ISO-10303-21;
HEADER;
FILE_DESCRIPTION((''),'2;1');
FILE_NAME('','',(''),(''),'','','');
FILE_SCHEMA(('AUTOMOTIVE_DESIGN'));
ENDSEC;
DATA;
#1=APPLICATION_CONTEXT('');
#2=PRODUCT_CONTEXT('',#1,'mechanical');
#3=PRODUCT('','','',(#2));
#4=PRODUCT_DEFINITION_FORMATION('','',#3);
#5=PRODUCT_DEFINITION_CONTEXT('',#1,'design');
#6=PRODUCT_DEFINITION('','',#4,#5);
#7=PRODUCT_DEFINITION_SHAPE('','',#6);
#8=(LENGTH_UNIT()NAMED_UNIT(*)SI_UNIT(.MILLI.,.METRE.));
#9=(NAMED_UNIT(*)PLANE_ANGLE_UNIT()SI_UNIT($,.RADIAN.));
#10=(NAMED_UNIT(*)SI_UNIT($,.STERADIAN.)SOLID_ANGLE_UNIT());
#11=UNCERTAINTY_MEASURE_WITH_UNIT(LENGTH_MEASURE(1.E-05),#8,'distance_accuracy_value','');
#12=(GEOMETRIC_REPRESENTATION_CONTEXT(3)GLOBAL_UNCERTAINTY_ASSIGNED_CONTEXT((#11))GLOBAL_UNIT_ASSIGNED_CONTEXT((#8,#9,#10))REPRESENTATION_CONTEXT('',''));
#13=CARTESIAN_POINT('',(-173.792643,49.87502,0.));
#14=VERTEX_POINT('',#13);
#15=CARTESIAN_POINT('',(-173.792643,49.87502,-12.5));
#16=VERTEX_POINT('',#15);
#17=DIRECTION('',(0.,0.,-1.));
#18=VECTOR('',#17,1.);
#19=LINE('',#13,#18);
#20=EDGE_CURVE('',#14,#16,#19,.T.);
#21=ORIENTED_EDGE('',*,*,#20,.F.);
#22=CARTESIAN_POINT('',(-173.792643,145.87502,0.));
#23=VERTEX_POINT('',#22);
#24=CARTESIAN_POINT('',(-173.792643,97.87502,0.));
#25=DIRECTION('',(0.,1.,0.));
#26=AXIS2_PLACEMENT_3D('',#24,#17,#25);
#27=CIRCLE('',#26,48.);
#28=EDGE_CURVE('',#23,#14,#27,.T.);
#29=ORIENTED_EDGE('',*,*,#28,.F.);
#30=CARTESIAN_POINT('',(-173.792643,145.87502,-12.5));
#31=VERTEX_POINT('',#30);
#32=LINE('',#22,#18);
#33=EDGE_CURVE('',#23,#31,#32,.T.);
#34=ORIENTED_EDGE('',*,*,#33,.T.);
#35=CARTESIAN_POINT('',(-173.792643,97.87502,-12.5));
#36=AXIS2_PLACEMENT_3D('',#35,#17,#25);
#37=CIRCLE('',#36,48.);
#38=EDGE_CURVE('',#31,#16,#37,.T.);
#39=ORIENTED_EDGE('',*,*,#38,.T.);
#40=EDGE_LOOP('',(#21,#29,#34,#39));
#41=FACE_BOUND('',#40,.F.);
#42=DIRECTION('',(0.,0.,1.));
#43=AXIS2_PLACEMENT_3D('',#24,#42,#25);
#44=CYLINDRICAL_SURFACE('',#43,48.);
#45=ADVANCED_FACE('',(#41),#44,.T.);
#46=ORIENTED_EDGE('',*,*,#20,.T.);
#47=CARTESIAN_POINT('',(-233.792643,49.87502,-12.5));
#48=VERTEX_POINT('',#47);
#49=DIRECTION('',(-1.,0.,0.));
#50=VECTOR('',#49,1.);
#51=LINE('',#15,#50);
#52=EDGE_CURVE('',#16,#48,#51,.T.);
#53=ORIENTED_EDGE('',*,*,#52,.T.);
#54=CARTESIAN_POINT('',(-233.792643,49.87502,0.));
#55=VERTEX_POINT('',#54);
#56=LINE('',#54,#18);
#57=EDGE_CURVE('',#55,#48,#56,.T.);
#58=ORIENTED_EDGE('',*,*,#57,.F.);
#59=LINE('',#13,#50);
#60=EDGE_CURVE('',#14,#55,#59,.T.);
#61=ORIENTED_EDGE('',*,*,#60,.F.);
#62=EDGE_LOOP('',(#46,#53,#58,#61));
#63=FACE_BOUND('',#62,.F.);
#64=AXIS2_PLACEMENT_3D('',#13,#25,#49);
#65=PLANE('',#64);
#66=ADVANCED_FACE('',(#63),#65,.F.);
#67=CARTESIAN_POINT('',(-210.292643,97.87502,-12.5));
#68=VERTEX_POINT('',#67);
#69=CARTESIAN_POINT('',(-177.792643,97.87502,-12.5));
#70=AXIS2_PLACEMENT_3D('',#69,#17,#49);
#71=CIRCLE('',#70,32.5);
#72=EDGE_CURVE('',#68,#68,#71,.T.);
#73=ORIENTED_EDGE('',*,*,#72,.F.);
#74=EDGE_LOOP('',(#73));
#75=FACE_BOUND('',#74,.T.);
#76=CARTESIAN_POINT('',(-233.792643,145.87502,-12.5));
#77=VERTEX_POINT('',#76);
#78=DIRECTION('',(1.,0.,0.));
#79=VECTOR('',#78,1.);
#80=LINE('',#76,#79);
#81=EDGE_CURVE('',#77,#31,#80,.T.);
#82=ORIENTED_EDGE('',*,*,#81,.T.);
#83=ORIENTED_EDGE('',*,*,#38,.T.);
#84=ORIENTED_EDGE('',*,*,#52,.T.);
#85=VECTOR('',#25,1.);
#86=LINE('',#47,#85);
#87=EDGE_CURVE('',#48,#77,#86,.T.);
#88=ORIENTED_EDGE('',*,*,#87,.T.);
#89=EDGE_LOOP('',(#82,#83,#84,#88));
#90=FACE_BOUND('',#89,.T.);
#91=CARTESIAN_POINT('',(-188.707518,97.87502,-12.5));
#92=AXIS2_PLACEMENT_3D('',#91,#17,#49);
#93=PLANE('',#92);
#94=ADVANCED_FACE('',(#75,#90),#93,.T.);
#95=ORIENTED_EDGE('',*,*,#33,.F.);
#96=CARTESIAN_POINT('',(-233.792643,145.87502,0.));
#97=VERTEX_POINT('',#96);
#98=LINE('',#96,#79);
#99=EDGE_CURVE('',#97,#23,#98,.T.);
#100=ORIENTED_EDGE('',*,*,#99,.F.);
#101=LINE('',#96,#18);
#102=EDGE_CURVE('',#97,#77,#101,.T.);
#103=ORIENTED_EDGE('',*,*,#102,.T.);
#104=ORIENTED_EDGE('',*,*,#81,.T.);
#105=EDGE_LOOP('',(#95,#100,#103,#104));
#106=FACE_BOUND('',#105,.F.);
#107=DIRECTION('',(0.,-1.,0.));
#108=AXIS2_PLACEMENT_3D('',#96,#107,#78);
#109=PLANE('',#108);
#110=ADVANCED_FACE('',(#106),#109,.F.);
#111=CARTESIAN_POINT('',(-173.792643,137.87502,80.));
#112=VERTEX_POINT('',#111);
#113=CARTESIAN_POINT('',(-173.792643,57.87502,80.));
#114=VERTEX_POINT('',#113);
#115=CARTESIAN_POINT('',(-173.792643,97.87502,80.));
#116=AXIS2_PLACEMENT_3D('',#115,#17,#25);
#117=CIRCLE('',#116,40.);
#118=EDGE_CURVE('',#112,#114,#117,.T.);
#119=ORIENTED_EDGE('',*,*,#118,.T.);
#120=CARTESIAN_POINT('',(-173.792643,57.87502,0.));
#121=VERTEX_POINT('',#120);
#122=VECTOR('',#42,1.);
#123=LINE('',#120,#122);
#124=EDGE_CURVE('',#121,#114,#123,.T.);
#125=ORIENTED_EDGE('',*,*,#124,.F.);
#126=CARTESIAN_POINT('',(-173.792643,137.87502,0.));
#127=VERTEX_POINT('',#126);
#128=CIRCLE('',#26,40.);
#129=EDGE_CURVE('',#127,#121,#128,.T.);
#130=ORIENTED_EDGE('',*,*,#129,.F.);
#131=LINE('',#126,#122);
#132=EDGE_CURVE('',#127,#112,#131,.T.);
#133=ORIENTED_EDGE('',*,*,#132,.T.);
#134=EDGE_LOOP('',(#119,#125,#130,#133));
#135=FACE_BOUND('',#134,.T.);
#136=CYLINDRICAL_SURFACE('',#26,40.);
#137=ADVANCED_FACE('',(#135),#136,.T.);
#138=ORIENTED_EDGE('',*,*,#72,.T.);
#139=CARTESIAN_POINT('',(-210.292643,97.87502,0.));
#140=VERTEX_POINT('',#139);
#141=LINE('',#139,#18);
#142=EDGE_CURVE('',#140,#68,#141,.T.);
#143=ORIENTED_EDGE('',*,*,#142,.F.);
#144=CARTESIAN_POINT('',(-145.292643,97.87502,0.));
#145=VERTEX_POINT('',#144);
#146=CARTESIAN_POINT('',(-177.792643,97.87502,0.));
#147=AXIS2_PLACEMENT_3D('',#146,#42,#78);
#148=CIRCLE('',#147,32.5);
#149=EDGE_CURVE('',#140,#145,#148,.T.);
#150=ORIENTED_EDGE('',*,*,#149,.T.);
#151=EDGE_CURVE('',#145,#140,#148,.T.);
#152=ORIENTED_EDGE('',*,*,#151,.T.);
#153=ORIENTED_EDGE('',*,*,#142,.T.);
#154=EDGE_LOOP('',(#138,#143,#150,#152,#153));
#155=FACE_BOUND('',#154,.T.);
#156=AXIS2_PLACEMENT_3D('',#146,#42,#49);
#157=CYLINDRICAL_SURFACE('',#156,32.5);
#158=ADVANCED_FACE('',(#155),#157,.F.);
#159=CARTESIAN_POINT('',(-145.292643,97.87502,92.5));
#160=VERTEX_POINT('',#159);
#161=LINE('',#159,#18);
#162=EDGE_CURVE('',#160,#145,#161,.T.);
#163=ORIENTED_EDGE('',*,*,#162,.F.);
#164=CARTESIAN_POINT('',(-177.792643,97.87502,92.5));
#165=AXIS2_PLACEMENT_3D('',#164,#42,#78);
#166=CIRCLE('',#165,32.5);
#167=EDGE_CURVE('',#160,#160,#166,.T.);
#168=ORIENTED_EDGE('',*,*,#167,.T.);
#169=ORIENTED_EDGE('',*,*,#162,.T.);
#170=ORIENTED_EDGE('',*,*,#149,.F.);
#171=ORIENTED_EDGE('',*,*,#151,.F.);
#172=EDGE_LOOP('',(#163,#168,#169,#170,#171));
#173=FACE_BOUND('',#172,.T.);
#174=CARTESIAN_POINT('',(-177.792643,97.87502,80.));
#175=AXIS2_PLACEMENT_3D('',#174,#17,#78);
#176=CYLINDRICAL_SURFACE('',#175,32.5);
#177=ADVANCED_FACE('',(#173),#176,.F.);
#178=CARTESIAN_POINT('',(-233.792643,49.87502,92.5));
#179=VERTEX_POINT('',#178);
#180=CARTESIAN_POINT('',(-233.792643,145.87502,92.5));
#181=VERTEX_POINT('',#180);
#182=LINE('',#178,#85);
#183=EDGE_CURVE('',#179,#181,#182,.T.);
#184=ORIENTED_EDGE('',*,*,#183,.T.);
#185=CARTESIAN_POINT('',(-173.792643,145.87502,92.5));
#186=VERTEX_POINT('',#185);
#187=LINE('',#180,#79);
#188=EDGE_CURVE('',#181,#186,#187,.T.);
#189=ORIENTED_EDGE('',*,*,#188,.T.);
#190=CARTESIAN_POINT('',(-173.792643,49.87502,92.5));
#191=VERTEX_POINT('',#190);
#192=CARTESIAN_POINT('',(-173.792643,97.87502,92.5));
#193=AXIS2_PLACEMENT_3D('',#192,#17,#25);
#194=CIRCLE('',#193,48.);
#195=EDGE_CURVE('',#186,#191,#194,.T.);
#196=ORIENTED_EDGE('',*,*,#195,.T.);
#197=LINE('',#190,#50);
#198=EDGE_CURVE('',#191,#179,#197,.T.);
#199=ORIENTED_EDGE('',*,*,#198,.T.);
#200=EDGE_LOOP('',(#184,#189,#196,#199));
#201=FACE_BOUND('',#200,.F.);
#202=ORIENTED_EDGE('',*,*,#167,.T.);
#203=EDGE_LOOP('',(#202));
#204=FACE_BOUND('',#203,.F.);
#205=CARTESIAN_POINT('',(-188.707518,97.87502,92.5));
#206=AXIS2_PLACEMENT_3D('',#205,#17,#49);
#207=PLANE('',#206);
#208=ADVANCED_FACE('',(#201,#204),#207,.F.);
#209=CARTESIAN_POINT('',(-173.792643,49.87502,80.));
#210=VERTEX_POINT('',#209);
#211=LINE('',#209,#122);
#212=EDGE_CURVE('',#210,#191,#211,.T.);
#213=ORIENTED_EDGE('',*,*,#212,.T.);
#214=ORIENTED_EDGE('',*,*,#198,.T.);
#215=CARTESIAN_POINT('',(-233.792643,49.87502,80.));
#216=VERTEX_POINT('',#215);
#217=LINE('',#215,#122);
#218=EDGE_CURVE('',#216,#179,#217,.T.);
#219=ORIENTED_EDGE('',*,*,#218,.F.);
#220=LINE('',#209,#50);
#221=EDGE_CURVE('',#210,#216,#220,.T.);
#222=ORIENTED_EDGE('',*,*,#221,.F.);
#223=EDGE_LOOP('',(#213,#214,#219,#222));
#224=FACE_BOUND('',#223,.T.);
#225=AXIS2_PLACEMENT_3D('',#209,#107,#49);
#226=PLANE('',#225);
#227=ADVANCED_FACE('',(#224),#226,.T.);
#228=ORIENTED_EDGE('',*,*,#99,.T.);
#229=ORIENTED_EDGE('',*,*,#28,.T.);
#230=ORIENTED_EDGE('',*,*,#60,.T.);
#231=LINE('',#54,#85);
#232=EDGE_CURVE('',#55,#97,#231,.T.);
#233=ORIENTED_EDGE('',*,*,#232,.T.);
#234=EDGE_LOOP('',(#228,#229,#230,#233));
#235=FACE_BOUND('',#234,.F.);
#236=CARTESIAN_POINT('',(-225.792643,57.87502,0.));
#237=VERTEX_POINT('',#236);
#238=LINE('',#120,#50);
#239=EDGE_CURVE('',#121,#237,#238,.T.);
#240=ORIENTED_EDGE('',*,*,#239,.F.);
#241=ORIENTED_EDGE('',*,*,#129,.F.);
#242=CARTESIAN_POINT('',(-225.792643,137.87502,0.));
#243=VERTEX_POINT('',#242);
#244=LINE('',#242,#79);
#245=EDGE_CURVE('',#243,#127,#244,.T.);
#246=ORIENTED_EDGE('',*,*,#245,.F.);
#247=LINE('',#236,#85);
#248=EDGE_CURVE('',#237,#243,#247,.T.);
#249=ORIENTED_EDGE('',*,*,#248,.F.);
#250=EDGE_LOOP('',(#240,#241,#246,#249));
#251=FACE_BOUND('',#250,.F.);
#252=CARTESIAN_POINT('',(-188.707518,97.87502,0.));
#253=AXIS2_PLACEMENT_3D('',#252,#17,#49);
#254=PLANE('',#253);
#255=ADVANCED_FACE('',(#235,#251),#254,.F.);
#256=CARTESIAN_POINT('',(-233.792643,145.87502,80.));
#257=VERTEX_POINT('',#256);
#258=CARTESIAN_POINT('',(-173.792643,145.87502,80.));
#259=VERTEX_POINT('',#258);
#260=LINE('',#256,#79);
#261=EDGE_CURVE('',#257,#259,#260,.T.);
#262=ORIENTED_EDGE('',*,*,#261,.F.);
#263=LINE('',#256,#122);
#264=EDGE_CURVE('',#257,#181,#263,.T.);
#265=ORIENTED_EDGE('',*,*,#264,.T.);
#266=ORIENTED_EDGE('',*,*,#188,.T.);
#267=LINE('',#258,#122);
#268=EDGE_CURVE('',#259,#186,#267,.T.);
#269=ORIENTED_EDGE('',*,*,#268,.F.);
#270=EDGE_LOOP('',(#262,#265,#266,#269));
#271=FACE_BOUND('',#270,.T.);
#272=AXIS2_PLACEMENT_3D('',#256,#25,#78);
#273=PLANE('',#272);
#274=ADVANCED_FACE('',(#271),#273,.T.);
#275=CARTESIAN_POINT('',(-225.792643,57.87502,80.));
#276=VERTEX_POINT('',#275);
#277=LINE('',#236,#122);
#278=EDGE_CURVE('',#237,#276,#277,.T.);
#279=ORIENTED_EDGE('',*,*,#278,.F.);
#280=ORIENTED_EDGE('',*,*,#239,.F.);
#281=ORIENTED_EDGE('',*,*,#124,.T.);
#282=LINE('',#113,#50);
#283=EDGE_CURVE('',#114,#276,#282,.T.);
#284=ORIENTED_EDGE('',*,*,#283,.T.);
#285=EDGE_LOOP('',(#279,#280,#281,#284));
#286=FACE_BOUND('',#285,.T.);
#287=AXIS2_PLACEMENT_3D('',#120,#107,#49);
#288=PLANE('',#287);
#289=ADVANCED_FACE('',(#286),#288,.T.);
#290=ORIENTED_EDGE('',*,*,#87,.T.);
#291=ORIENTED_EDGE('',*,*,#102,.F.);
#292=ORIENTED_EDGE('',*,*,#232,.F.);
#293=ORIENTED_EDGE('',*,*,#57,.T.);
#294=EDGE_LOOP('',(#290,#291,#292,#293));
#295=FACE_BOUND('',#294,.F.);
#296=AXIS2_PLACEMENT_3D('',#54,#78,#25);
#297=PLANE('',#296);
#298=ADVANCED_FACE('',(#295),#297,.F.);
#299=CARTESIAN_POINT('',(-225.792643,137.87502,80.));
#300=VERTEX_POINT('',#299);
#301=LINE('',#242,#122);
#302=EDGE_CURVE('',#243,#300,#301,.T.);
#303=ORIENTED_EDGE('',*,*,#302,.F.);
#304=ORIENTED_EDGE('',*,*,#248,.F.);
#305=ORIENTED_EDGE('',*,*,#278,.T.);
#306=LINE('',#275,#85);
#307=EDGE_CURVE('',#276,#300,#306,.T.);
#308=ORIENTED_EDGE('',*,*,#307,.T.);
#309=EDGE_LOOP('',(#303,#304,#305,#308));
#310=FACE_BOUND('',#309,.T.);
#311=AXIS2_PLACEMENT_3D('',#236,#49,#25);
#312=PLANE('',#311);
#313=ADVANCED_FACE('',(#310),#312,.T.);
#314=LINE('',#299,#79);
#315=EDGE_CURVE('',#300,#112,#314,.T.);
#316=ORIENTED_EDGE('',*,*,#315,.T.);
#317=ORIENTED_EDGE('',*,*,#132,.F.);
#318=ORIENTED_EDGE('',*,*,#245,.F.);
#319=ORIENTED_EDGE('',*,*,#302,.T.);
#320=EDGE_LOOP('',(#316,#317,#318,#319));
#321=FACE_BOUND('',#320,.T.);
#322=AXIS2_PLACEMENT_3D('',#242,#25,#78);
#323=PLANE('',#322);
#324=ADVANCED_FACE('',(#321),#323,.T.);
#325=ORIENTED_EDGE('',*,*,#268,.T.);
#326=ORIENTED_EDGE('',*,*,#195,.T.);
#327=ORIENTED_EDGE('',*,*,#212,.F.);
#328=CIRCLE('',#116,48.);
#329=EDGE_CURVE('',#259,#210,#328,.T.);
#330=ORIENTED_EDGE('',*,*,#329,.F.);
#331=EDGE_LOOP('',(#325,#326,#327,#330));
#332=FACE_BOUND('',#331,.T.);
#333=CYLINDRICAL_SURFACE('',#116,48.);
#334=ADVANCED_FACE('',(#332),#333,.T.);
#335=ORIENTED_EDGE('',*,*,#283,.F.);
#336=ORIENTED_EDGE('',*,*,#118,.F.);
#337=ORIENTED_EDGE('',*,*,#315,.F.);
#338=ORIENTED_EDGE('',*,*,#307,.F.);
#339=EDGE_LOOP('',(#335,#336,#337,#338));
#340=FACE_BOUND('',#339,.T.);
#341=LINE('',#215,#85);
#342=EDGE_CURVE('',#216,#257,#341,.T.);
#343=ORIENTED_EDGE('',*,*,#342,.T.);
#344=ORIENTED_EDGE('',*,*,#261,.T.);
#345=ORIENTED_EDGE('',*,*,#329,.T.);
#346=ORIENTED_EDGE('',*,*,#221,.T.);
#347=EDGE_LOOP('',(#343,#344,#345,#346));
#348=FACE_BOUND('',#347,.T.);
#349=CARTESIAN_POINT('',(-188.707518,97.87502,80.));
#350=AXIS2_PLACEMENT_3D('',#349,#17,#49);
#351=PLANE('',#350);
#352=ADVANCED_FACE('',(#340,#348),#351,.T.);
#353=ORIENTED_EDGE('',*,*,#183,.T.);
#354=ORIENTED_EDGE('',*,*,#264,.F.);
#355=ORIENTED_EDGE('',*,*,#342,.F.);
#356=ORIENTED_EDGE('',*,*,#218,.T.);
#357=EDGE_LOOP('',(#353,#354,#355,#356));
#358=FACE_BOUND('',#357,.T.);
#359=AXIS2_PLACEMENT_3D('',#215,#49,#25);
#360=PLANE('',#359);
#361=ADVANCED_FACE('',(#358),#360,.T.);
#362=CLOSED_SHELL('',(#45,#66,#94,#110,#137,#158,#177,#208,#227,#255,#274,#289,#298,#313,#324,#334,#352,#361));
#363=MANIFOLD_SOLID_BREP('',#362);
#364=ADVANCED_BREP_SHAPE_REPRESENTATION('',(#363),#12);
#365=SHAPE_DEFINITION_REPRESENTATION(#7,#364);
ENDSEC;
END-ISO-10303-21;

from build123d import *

# Parameters (mm, degrees)
SKETCH1_R           = 32.5
BOSS_EXTRUDE1_DEPTH = 80
SKETCH2_R           = 32.5
BOSS_EXTRUDE2_DEPTH = 12.5
SKETCH6_R           = 32.5
BOSS_EXTRUDE4_DEPTH = 12.5


with BuildPart() as part:
    # Sketch1 → Boss-Extrude1 (new body)
    with BuildSketch(Plane.XY):
        with BuildLine():
            Line((-225.792643224, 137.875019839), (-173.792643224, 137.875019839))
            ThreePointArc((-173.792643224, 137.875019839), (-133.792643224, 97.875019839), (-173.792643224, 57.875019839))
            Line((-173.792643224, 57.875019839), (-225.792643224, 57.875019839))
            Line((-225.792643224, 57.875019839), (-225.792643224, 137.875019839))
        make_face()
        with Locations((-177.792643224, 97.875019839)):
            Circle(SKETCH1_R, mode=Mode.SUBTRACT)
    extrude(amount=BOSS_EXTRUDE1_DEPTH)

    # Sketch2 → Boss-Extrude2 (add)
    with BuildSketch(Plane.XY.offset(80)):
        with BuildLine():
            Line((-173.792643224, 49.875019839), (-233.792643224, 49.875019839))
            Line((-233.792643224, 49.875019839), (-233.792643224, 145.875019839))
            Line((-233.792643224, 145.875019839), (-173.792643224, 145.875019839))
            ThreePointArc((-173.792643224, 145.875019839), (-125.792643224, 97.875019839), (-173.792643224, 49.875019839))
        make_face()
        with BuildLine():
            Line((-225.792643224, 137.875019839), (-225.792643224, 57.875019839))
            Line((-225.792643224, 57.875019839), (-173.792643224, 57.875019839))
            ThreePointArc((-173.792643224, 57.875019839), (-133.792643224, 97.875019839), (-173.792643224, 137.875019839))
            Line((-173.792643224, 137.875019839), (-225.792643224, 137.875019839))
        make_face(mode=Mode.SUBTRACT)
        with BuildLine():
            Line((-173.792643224, 137.875019839), (-225.792643224, 137.875019839))
            Line((-225.792643224, 137.875019839), (-225.792643224, 57.875019839))
            Line((-225.792643224, 57.875019839), (-173.792643224, 57.875019839))
            ThreePointArc((-173.792643224, 57.875019839), (-133.792643224, 97.875019839), (-173.792643224, 137.875019839))
        make_face()
        with Locations((-177.792643224, 97.875019839)):
            Circle(SKETCH2_R, mode=Mode.SUBTRACT)
    extrude(amount=BOSS_EXTRUDE2_DEPTH)

    # Sketch6 → Boss-Extrude4 (add)
    with BuildSketch(Plane(origin=(0, 0, 0), x_dir=(-1, 0, 0), z_dir=(0, 0, -1))):
        with BuildLine():
            Line((233.792643224, 145.875019839), (173.792643224, 145.875019839))
            ThreePointArc((173.792643224, 145.875019839), (125.792643224, 97.875019839), (173.792643224, 49.875019839))
            Line((173.792643224, 49.875019839), (233.792643224, 49.875019839))
            Line((233.792643224, 49.875019839), (233.792643224, 145.875019839))
        make_face()
        with Locations((177.792643224, 97.875019839)):
            Circle(SKETCH6_R, mode=Mode.SUBTRACT)
    extrude(amount=BOSS_EXTRUDE4_DEPTH)


solid = part.part
